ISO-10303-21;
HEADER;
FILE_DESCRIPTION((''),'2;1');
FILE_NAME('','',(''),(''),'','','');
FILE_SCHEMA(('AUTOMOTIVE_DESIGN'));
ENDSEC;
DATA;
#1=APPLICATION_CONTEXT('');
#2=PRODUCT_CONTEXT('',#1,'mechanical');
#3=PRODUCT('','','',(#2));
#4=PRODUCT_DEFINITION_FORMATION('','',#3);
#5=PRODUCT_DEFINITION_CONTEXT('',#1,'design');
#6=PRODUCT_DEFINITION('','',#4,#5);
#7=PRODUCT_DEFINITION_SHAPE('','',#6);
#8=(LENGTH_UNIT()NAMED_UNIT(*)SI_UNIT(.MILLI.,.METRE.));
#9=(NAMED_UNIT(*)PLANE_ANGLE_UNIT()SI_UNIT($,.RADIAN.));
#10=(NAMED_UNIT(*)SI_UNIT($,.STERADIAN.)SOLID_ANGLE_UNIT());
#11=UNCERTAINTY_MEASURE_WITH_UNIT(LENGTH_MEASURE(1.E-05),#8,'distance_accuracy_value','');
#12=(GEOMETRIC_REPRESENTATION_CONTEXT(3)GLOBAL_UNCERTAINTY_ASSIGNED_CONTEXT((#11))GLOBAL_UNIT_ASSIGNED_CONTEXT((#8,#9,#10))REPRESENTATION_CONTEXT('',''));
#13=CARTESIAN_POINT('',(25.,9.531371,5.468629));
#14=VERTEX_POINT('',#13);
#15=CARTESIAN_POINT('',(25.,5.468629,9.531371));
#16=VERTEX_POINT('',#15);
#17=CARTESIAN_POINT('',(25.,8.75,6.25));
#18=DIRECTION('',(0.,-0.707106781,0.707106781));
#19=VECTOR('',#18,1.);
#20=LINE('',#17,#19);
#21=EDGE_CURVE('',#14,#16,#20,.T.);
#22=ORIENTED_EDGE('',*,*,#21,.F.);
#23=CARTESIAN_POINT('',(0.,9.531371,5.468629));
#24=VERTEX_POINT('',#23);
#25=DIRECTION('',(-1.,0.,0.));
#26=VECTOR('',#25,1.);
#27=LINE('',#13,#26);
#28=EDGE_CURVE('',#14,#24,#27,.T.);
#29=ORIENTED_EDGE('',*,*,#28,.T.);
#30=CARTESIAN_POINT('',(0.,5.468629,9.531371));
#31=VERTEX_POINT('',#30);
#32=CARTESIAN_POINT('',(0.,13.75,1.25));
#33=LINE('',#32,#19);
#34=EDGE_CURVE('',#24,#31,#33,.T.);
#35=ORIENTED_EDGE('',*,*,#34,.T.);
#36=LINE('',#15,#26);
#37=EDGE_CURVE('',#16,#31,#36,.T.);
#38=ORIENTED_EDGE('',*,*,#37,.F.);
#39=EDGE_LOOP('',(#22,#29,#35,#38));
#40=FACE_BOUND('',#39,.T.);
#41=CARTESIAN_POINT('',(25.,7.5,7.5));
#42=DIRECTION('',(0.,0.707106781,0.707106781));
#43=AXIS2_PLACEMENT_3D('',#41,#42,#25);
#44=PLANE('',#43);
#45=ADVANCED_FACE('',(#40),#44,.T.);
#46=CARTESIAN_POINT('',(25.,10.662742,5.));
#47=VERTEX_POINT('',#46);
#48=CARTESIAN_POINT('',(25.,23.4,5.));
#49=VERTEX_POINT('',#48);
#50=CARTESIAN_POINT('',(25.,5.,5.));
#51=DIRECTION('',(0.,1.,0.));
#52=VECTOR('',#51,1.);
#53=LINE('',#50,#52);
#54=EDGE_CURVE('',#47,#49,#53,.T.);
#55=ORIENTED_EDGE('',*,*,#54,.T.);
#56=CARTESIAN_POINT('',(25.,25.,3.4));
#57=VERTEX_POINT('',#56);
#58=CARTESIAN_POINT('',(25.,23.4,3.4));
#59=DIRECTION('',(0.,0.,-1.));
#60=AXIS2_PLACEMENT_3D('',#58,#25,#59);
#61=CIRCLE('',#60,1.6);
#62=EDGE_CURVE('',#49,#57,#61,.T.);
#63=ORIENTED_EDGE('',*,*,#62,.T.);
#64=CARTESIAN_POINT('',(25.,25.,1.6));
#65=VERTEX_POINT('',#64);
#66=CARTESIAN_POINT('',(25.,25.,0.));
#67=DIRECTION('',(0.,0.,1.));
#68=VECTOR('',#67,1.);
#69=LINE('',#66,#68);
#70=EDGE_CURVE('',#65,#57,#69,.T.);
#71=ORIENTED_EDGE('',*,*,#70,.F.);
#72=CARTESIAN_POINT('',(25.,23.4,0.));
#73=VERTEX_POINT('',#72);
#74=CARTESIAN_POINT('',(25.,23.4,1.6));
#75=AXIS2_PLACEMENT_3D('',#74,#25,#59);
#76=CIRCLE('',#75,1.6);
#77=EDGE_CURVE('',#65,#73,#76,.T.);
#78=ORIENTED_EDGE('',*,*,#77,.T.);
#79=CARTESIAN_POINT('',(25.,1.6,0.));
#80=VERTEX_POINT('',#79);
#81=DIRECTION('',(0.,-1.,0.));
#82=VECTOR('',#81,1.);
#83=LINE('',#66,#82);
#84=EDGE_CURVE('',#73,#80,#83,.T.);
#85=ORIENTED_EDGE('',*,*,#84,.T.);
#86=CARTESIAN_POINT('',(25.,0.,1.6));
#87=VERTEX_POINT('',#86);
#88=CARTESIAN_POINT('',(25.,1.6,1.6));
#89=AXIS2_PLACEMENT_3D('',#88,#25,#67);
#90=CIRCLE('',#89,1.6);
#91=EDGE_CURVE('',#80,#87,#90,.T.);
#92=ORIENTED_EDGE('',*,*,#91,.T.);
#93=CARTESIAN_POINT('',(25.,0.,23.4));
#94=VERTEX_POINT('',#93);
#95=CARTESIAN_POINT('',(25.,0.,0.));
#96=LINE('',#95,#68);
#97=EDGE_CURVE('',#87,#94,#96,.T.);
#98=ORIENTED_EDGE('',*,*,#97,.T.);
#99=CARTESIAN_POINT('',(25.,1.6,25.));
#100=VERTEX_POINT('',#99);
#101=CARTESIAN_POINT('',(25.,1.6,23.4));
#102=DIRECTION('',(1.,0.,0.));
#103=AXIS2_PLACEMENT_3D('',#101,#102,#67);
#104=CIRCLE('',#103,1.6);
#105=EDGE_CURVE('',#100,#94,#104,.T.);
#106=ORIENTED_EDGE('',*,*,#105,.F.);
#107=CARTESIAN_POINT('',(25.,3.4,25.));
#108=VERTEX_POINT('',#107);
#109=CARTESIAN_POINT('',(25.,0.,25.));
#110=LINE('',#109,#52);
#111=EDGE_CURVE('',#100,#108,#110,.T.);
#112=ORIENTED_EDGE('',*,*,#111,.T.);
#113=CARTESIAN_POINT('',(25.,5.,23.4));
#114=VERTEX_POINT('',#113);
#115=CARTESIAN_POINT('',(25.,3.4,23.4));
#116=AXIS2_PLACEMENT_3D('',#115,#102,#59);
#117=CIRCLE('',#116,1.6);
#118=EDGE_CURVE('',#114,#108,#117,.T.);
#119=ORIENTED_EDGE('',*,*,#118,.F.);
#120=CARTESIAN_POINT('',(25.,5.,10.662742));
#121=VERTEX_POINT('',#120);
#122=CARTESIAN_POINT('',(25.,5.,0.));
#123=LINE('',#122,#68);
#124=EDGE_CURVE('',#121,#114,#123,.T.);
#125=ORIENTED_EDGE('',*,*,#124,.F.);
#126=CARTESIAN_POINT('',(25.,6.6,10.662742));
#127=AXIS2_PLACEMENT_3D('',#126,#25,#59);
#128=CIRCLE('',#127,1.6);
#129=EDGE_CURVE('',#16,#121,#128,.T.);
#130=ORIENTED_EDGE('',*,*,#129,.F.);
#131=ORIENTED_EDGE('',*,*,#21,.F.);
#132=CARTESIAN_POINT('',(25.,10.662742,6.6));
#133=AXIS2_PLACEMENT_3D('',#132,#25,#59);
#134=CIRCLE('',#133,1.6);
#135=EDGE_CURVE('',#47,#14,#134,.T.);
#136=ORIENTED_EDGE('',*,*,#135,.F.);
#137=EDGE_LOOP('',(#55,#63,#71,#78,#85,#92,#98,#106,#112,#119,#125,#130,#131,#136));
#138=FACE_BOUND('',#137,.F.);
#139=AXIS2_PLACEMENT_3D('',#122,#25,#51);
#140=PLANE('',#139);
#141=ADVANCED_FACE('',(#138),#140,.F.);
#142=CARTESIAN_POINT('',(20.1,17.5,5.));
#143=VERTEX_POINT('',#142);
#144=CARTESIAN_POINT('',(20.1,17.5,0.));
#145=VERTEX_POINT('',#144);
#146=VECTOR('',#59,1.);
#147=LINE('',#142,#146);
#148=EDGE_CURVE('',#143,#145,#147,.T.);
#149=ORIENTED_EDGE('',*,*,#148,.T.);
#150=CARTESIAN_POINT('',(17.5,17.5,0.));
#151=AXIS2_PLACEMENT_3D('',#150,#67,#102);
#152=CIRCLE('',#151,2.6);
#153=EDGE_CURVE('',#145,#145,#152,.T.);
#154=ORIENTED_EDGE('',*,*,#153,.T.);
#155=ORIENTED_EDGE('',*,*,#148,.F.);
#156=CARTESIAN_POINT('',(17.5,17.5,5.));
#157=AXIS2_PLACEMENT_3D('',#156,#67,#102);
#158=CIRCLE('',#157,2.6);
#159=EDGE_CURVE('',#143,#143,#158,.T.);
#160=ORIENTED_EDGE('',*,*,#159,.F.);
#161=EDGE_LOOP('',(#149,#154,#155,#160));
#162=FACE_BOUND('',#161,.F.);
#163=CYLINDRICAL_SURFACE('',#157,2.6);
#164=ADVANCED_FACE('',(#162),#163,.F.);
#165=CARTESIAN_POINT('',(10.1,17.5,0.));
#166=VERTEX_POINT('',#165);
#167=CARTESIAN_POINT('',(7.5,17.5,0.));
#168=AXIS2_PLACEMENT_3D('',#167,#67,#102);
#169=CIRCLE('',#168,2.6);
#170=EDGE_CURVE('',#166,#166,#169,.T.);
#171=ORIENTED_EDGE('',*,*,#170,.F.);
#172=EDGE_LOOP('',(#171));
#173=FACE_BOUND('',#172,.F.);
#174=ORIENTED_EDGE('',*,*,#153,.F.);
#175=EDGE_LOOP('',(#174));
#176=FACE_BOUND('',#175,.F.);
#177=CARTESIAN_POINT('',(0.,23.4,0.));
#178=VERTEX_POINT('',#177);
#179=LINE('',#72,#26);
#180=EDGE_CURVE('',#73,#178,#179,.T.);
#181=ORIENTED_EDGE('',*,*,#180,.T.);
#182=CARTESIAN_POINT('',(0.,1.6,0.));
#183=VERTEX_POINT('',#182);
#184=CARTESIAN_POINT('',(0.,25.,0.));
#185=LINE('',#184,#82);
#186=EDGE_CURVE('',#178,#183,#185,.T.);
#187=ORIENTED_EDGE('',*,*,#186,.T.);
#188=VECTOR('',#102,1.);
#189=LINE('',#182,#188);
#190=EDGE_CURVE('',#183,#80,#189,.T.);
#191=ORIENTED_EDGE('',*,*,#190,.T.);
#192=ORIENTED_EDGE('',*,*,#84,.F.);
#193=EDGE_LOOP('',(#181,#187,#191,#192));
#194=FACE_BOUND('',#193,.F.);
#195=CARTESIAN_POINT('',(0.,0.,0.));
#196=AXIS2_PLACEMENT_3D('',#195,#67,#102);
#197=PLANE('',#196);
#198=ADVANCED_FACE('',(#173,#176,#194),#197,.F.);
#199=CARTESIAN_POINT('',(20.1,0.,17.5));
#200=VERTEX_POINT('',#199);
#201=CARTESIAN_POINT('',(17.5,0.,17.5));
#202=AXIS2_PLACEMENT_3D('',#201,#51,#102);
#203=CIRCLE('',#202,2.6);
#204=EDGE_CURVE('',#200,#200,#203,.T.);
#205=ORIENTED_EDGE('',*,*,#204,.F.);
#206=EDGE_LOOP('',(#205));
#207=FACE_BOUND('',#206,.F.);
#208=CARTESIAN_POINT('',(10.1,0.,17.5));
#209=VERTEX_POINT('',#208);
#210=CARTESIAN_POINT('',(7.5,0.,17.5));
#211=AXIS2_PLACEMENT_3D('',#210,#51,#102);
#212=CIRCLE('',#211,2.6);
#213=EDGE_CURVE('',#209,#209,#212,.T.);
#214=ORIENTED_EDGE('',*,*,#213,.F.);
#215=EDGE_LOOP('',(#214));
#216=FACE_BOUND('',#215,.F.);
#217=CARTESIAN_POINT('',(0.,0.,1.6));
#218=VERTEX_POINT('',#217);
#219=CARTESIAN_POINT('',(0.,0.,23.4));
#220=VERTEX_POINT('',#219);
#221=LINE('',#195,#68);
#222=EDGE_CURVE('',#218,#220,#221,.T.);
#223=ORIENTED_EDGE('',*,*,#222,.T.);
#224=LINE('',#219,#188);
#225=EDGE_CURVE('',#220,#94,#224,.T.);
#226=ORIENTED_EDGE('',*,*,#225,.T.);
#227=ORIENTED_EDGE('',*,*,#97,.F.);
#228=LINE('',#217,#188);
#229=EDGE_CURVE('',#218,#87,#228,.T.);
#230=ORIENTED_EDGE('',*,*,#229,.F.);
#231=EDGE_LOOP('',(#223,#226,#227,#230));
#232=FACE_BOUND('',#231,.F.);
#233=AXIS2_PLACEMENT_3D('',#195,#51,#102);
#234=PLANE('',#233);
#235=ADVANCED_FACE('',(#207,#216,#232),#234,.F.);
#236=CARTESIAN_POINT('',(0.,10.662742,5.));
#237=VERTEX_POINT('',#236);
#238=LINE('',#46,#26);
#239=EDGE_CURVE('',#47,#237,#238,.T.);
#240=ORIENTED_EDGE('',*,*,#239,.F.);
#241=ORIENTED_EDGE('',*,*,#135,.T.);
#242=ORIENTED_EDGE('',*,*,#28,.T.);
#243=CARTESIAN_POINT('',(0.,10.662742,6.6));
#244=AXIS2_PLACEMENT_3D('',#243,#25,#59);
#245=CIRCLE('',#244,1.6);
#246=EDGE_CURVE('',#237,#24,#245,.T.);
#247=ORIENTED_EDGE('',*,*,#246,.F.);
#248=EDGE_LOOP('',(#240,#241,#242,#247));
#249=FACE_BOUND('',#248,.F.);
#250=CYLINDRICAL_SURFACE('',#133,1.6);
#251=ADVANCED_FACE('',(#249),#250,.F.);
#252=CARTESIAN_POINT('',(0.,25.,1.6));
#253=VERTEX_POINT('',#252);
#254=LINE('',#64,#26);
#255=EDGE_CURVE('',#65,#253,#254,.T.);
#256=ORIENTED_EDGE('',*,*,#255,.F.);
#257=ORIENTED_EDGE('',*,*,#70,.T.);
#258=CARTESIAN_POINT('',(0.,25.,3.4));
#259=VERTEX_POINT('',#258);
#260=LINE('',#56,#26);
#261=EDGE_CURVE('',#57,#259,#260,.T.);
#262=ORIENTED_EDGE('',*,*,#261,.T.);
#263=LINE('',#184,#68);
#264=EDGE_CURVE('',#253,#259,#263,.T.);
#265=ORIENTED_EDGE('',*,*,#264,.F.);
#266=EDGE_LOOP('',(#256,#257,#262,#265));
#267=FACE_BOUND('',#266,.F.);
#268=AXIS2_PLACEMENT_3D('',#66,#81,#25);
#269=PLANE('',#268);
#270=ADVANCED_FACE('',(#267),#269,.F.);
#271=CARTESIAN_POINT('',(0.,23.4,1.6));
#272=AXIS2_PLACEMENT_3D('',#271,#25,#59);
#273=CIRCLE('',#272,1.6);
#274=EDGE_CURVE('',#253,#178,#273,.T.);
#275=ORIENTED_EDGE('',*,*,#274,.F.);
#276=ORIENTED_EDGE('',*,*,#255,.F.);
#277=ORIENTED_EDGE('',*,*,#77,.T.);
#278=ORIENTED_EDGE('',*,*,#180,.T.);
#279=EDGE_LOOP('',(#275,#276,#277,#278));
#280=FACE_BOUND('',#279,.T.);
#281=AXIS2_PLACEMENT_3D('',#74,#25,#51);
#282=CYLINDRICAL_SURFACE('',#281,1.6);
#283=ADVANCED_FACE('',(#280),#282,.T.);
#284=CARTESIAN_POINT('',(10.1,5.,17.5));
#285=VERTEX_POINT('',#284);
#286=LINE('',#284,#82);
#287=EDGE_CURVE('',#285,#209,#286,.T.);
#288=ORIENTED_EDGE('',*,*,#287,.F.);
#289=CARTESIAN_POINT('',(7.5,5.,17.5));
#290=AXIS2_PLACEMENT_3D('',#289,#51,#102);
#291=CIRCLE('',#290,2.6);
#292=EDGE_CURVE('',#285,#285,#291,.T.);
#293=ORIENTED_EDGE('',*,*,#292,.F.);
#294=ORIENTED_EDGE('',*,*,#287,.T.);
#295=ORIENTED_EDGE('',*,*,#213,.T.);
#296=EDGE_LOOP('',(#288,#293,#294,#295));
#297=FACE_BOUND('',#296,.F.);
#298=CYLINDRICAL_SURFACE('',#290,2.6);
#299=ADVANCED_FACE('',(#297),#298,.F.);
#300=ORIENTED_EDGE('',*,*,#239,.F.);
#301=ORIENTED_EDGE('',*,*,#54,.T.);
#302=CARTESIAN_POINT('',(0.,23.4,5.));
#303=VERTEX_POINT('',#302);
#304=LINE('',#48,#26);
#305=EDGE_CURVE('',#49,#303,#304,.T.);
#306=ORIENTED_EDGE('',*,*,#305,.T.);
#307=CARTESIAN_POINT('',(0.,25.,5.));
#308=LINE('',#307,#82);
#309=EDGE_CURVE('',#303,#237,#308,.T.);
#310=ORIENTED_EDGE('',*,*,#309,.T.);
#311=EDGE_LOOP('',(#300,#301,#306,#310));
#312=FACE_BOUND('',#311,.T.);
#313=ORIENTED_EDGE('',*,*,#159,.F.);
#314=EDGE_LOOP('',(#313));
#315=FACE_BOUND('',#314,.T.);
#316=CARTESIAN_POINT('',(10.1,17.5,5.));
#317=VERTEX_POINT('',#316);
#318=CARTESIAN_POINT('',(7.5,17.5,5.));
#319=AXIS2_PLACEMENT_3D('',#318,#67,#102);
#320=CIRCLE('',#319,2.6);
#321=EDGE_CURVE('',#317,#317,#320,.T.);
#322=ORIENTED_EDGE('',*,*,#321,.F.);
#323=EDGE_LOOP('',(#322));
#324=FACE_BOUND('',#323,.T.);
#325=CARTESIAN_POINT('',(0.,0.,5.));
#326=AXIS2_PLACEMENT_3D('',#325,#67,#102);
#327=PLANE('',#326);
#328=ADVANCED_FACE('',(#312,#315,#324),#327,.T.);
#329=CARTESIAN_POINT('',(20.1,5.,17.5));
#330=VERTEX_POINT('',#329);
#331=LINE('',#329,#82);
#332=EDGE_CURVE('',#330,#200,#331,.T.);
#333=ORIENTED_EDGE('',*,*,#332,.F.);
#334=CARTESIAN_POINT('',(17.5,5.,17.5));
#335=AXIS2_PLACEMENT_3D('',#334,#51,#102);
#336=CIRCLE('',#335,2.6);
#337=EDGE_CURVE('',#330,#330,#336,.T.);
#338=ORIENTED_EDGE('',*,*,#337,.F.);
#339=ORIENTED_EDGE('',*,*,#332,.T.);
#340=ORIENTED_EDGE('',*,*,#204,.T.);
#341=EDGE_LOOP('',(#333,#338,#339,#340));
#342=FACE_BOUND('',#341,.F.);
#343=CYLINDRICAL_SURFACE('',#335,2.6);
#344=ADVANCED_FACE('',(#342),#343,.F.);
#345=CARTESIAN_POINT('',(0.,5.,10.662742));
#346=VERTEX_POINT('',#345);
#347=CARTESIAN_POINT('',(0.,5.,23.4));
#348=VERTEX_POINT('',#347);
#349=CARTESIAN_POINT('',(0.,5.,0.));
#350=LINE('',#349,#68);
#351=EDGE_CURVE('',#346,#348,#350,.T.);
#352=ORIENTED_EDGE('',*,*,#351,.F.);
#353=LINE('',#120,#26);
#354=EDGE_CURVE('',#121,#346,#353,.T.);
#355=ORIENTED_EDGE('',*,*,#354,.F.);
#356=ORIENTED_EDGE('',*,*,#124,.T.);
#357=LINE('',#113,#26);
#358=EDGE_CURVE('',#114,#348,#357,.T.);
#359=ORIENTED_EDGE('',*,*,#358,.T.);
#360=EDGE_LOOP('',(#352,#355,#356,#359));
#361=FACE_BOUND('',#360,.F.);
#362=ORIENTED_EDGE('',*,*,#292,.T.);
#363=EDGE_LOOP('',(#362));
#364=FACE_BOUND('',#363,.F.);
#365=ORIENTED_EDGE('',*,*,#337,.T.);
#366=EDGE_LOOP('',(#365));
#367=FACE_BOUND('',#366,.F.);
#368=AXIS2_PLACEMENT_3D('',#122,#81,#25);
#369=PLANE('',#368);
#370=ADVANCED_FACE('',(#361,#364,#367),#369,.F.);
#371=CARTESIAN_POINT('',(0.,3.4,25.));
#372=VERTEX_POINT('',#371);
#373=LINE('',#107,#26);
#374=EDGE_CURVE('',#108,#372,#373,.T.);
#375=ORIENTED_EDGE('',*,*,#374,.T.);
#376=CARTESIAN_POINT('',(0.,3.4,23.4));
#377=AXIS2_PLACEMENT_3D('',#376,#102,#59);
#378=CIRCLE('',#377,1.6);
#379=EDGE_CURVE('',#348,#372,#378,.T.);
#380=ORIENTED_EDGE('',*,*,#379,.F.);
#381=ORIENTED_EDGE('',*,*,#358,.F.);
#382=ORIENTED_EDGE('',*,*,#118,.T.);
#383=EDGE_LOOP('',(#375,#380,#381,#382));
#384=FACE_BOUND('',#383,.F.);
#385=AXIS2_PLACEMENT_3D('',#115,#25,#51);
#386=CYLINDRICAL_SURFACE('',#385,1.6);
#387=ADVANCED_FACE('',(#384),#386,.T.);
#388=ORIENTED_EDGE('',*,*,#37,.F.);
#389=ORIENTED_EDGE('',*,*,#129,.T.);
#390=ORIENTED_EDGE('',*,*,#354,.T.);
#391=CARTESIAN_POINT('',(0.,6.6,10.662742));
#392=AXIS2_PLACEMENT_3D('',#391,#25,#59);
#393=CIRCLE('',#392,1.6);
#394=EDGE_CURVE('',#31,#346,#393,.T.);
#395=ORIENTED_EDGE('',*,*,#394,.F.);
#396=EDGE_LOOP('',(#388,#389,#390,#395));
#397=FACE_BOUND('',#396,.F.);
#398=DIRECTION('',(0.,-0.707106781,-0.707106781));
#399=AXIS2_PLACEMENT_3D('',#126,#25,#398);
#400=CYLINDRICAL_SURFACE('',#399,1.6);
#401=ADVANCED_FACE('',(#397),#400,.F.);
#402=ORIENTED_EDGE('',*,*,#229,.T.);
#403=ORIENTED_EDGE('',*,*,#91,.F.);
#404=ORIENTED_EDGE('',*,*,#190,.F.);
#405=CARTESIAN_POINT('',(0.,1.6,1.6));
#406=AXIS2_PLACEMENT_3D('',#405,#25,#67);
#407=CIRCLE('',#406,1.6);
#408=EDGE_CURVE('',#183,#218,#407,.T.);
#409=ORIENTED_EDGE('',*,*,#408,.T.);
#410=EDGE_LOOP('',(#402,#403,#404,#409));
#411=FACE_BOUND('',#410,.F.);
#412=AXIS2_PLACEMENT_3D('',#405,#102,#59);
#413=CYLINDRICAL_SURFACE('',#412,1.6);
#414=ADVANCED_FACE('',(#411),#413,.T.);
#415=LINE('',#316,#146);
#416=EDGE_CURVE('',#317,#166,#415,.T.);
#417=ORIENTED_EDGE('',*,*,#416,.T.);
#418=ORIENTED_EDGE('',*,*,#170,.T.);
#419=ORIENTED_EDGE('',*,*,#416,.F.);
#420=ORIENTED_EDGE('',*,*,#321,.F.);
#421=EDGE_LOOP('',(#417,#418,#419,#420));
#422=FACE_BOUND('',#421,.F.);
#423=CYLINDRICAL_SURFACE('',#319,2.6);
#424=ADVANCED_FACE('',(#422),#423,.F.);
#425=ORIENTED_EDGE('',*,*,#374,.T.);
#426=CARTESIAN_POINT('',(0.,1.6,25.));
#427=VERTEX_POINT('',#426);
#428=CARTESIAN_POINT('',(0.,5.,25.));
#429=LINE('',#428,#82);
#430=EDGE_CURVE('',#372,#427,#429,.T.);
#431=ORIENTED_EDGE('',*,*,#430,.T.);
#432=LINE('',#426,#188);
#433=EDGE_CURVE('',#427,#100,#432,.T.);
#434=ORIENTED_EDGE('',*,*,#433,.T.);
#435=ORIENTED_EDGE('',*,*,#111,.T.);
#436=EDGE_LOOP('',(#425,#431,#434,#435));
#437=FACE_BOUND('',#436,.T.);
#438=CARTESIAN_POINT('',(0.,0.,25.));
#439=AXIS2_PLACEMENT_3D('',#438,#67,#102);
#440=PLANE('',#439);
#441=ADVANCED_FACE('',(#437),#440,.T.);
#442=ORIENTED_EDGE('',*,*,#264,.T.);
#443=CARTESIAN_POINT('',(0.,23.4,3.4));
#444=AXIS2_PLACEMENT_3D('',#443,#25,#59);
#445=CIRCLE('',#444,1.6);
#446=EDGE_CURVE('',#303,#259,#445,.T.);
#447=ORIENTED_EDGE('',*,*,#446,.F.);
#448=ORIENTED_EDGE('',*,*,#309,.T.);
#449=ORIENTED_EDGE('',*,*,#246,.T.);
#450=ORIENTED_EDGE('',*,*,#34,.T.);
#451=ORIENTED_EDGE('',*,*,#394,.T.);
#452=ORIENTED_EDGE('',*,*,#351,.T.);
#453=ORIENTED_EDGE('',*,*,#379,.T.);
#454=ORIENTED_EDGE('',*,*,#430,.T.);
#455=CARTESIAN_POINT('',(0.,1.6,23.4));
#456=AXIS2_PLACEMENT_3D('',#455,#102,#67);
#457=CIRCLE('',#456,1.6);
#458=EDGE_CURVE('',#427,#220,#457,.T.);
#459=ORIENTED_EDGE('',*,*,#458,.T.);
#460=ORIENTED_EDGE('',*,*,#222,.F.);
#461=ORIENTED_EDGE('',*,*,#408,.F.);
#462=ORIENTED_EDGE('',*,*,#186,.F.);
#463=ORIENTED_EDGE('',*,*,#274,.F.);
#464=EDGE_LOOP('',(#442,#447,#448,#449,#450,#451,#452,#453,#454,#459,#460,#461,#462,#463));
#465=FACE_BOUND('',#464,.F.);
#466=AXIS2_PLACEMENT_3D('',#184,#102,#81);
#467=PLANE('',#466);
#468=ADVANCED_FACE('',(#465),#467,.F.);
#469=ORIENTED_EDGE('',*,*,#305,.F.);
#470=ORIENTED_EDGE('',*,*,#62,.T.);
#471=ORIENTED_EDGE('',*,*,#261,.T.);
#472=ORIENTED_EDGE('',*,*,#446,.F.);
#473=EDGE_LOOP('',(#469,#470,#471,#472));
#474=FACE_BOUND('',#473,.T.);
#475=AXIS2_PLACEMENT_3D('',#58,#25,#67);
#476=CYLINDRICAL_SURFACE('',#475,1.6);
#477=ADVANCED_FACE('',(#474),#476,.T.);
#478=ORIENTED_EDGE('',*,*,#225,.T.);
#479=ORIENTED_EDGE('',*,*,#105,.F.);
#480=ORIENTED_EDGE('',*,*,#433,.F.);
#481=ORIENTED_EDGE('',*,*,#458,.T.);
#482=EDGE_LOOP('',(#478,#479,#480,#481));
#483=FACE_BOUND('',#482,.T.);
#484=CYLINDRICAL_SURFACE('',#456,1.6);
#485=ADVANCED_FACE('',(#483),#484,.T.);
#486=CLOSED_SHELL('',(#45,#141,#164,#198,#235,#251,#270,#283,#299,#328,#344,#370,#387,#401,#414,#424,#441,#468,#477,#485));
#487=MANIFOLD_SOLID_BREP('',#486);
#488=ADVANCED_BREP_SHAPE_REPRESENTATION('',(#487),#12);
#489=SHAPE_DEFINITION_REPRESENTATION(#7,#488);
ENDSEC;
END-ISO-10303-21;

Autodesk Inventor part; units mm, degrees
ref_plane "YZ Plane" through (0, 0, 0) normal (1, 0, 0) x (0, 1, 0)
ref_plane "XZ Plane" through (0, 0, 0) normal (0, 1, 0) x (-1, 0, 0)
ref_plane "XY Plane" through (0, 0, 0) normal (0, 0, 1) x (1, 0, 0)
sketch "Szkic1" plane through (0, 0, 0) normal (0, 0, 1) x (1, 0, 0)
  line L0 (0, 0) -> (25, 0)
  line L1 (25, 0) -> (25, 5)
  line L2 (25, 5) -> (0, 5)
  line L3 (0, 5) -> (0, 0)
  line L4 (0, 5) -> (25, 5)
  line L5 (25, 5) -> (25, 25)
  line L6 (25, 25) -> (0, 25)
  line L7 (0, 25) -> (0, 5)
  dimension "d0" = 5
  dimension "d1" = 25
  dimension "d2" = 20
extrude "Wyciągnięcie proste1" add sketch "Szkic1" along normal blind 5 contours L7 L6 L5 L2
extrude "Wyciągnięcie proste2" add sketch "Szkic1" along normal blind 25 contours L3 L2 L1 L0
chamfer "Faza1" distance 5 angle 45 1 edges at (12.5, 5, 5)
sketch "Szkic2" plane through (0, 5, 25) normal (0, 1, 0) x (1, 0, 0)
  line L0 (0, 15) -> (25, 15) projected
  line L1 (0, 15) -> (0, 0) projected
  line L2 (25, 0) -> (0, 0) projected
  line L3 (25, 15) -> (25, 0) projected
  line L4 (25, 0) -> (0, 0) projected
  line L5 (12.5, 0) -> (12.5, 15)
  circle A0 centre (7.5, 7.5) radius 2.6
  circle A1 centre (17.5, 7.5) radius 2.6
  point P0 (0, 25)
  dimension "d10" = 5.2
  dimension "d11" = 10
  dimension "d12" = 7.5
  dimension "d21" = 15
extrude "Wyciągnięcie proste3" cut sketch "Szkic2" against normal up to surface (5 mm away) contours A0 | A1
sketch "Szkic3" plane through (0, 0, 5) normal (0, 0, 1) x (1, 0, 0)
  line L0 (25, 10) -> (0, 10) projected
  line L1 (25, 10) -> (25, 25) projected
  line L2 (25, 25) -> (0, 25) projected
  line L3 (0, 25) -> (0, 10) projected
  circle A0 centre (17.5, 17.5) radius 2.6
  circle A1 centre (7.5, 17.5) radius 2.6
  line L4 (25, 25) -> (0, 25) projected
  line L5 (12.5, 25) -> (12.5, 10)
  point P0 (0, 0)
  dimension "d15" = 5.2
  dimension "d16" = 10
  dimension "d20" = 7.5
  dimension "d22" = 15
extrude "Wyciągnięcie proste4" cut sketch "Szkic3" against normal up to surface (5 mm away) contours A0 | A1
fillet "Zaokrąglenie1" radius 1.6 7 edges at (12.5, 0, 0) (12.5, 0, 25) (12.5, 5, 25) (12.5, 5, 10) (12.5, 10, 5) (12.5, 25, 5) (12.5, 25, 0)
equation "\"d12\" = 0.5 * d21"
equation "\"d20\" = 0.5 * d22"
properties part number "motor_rig_v2"
